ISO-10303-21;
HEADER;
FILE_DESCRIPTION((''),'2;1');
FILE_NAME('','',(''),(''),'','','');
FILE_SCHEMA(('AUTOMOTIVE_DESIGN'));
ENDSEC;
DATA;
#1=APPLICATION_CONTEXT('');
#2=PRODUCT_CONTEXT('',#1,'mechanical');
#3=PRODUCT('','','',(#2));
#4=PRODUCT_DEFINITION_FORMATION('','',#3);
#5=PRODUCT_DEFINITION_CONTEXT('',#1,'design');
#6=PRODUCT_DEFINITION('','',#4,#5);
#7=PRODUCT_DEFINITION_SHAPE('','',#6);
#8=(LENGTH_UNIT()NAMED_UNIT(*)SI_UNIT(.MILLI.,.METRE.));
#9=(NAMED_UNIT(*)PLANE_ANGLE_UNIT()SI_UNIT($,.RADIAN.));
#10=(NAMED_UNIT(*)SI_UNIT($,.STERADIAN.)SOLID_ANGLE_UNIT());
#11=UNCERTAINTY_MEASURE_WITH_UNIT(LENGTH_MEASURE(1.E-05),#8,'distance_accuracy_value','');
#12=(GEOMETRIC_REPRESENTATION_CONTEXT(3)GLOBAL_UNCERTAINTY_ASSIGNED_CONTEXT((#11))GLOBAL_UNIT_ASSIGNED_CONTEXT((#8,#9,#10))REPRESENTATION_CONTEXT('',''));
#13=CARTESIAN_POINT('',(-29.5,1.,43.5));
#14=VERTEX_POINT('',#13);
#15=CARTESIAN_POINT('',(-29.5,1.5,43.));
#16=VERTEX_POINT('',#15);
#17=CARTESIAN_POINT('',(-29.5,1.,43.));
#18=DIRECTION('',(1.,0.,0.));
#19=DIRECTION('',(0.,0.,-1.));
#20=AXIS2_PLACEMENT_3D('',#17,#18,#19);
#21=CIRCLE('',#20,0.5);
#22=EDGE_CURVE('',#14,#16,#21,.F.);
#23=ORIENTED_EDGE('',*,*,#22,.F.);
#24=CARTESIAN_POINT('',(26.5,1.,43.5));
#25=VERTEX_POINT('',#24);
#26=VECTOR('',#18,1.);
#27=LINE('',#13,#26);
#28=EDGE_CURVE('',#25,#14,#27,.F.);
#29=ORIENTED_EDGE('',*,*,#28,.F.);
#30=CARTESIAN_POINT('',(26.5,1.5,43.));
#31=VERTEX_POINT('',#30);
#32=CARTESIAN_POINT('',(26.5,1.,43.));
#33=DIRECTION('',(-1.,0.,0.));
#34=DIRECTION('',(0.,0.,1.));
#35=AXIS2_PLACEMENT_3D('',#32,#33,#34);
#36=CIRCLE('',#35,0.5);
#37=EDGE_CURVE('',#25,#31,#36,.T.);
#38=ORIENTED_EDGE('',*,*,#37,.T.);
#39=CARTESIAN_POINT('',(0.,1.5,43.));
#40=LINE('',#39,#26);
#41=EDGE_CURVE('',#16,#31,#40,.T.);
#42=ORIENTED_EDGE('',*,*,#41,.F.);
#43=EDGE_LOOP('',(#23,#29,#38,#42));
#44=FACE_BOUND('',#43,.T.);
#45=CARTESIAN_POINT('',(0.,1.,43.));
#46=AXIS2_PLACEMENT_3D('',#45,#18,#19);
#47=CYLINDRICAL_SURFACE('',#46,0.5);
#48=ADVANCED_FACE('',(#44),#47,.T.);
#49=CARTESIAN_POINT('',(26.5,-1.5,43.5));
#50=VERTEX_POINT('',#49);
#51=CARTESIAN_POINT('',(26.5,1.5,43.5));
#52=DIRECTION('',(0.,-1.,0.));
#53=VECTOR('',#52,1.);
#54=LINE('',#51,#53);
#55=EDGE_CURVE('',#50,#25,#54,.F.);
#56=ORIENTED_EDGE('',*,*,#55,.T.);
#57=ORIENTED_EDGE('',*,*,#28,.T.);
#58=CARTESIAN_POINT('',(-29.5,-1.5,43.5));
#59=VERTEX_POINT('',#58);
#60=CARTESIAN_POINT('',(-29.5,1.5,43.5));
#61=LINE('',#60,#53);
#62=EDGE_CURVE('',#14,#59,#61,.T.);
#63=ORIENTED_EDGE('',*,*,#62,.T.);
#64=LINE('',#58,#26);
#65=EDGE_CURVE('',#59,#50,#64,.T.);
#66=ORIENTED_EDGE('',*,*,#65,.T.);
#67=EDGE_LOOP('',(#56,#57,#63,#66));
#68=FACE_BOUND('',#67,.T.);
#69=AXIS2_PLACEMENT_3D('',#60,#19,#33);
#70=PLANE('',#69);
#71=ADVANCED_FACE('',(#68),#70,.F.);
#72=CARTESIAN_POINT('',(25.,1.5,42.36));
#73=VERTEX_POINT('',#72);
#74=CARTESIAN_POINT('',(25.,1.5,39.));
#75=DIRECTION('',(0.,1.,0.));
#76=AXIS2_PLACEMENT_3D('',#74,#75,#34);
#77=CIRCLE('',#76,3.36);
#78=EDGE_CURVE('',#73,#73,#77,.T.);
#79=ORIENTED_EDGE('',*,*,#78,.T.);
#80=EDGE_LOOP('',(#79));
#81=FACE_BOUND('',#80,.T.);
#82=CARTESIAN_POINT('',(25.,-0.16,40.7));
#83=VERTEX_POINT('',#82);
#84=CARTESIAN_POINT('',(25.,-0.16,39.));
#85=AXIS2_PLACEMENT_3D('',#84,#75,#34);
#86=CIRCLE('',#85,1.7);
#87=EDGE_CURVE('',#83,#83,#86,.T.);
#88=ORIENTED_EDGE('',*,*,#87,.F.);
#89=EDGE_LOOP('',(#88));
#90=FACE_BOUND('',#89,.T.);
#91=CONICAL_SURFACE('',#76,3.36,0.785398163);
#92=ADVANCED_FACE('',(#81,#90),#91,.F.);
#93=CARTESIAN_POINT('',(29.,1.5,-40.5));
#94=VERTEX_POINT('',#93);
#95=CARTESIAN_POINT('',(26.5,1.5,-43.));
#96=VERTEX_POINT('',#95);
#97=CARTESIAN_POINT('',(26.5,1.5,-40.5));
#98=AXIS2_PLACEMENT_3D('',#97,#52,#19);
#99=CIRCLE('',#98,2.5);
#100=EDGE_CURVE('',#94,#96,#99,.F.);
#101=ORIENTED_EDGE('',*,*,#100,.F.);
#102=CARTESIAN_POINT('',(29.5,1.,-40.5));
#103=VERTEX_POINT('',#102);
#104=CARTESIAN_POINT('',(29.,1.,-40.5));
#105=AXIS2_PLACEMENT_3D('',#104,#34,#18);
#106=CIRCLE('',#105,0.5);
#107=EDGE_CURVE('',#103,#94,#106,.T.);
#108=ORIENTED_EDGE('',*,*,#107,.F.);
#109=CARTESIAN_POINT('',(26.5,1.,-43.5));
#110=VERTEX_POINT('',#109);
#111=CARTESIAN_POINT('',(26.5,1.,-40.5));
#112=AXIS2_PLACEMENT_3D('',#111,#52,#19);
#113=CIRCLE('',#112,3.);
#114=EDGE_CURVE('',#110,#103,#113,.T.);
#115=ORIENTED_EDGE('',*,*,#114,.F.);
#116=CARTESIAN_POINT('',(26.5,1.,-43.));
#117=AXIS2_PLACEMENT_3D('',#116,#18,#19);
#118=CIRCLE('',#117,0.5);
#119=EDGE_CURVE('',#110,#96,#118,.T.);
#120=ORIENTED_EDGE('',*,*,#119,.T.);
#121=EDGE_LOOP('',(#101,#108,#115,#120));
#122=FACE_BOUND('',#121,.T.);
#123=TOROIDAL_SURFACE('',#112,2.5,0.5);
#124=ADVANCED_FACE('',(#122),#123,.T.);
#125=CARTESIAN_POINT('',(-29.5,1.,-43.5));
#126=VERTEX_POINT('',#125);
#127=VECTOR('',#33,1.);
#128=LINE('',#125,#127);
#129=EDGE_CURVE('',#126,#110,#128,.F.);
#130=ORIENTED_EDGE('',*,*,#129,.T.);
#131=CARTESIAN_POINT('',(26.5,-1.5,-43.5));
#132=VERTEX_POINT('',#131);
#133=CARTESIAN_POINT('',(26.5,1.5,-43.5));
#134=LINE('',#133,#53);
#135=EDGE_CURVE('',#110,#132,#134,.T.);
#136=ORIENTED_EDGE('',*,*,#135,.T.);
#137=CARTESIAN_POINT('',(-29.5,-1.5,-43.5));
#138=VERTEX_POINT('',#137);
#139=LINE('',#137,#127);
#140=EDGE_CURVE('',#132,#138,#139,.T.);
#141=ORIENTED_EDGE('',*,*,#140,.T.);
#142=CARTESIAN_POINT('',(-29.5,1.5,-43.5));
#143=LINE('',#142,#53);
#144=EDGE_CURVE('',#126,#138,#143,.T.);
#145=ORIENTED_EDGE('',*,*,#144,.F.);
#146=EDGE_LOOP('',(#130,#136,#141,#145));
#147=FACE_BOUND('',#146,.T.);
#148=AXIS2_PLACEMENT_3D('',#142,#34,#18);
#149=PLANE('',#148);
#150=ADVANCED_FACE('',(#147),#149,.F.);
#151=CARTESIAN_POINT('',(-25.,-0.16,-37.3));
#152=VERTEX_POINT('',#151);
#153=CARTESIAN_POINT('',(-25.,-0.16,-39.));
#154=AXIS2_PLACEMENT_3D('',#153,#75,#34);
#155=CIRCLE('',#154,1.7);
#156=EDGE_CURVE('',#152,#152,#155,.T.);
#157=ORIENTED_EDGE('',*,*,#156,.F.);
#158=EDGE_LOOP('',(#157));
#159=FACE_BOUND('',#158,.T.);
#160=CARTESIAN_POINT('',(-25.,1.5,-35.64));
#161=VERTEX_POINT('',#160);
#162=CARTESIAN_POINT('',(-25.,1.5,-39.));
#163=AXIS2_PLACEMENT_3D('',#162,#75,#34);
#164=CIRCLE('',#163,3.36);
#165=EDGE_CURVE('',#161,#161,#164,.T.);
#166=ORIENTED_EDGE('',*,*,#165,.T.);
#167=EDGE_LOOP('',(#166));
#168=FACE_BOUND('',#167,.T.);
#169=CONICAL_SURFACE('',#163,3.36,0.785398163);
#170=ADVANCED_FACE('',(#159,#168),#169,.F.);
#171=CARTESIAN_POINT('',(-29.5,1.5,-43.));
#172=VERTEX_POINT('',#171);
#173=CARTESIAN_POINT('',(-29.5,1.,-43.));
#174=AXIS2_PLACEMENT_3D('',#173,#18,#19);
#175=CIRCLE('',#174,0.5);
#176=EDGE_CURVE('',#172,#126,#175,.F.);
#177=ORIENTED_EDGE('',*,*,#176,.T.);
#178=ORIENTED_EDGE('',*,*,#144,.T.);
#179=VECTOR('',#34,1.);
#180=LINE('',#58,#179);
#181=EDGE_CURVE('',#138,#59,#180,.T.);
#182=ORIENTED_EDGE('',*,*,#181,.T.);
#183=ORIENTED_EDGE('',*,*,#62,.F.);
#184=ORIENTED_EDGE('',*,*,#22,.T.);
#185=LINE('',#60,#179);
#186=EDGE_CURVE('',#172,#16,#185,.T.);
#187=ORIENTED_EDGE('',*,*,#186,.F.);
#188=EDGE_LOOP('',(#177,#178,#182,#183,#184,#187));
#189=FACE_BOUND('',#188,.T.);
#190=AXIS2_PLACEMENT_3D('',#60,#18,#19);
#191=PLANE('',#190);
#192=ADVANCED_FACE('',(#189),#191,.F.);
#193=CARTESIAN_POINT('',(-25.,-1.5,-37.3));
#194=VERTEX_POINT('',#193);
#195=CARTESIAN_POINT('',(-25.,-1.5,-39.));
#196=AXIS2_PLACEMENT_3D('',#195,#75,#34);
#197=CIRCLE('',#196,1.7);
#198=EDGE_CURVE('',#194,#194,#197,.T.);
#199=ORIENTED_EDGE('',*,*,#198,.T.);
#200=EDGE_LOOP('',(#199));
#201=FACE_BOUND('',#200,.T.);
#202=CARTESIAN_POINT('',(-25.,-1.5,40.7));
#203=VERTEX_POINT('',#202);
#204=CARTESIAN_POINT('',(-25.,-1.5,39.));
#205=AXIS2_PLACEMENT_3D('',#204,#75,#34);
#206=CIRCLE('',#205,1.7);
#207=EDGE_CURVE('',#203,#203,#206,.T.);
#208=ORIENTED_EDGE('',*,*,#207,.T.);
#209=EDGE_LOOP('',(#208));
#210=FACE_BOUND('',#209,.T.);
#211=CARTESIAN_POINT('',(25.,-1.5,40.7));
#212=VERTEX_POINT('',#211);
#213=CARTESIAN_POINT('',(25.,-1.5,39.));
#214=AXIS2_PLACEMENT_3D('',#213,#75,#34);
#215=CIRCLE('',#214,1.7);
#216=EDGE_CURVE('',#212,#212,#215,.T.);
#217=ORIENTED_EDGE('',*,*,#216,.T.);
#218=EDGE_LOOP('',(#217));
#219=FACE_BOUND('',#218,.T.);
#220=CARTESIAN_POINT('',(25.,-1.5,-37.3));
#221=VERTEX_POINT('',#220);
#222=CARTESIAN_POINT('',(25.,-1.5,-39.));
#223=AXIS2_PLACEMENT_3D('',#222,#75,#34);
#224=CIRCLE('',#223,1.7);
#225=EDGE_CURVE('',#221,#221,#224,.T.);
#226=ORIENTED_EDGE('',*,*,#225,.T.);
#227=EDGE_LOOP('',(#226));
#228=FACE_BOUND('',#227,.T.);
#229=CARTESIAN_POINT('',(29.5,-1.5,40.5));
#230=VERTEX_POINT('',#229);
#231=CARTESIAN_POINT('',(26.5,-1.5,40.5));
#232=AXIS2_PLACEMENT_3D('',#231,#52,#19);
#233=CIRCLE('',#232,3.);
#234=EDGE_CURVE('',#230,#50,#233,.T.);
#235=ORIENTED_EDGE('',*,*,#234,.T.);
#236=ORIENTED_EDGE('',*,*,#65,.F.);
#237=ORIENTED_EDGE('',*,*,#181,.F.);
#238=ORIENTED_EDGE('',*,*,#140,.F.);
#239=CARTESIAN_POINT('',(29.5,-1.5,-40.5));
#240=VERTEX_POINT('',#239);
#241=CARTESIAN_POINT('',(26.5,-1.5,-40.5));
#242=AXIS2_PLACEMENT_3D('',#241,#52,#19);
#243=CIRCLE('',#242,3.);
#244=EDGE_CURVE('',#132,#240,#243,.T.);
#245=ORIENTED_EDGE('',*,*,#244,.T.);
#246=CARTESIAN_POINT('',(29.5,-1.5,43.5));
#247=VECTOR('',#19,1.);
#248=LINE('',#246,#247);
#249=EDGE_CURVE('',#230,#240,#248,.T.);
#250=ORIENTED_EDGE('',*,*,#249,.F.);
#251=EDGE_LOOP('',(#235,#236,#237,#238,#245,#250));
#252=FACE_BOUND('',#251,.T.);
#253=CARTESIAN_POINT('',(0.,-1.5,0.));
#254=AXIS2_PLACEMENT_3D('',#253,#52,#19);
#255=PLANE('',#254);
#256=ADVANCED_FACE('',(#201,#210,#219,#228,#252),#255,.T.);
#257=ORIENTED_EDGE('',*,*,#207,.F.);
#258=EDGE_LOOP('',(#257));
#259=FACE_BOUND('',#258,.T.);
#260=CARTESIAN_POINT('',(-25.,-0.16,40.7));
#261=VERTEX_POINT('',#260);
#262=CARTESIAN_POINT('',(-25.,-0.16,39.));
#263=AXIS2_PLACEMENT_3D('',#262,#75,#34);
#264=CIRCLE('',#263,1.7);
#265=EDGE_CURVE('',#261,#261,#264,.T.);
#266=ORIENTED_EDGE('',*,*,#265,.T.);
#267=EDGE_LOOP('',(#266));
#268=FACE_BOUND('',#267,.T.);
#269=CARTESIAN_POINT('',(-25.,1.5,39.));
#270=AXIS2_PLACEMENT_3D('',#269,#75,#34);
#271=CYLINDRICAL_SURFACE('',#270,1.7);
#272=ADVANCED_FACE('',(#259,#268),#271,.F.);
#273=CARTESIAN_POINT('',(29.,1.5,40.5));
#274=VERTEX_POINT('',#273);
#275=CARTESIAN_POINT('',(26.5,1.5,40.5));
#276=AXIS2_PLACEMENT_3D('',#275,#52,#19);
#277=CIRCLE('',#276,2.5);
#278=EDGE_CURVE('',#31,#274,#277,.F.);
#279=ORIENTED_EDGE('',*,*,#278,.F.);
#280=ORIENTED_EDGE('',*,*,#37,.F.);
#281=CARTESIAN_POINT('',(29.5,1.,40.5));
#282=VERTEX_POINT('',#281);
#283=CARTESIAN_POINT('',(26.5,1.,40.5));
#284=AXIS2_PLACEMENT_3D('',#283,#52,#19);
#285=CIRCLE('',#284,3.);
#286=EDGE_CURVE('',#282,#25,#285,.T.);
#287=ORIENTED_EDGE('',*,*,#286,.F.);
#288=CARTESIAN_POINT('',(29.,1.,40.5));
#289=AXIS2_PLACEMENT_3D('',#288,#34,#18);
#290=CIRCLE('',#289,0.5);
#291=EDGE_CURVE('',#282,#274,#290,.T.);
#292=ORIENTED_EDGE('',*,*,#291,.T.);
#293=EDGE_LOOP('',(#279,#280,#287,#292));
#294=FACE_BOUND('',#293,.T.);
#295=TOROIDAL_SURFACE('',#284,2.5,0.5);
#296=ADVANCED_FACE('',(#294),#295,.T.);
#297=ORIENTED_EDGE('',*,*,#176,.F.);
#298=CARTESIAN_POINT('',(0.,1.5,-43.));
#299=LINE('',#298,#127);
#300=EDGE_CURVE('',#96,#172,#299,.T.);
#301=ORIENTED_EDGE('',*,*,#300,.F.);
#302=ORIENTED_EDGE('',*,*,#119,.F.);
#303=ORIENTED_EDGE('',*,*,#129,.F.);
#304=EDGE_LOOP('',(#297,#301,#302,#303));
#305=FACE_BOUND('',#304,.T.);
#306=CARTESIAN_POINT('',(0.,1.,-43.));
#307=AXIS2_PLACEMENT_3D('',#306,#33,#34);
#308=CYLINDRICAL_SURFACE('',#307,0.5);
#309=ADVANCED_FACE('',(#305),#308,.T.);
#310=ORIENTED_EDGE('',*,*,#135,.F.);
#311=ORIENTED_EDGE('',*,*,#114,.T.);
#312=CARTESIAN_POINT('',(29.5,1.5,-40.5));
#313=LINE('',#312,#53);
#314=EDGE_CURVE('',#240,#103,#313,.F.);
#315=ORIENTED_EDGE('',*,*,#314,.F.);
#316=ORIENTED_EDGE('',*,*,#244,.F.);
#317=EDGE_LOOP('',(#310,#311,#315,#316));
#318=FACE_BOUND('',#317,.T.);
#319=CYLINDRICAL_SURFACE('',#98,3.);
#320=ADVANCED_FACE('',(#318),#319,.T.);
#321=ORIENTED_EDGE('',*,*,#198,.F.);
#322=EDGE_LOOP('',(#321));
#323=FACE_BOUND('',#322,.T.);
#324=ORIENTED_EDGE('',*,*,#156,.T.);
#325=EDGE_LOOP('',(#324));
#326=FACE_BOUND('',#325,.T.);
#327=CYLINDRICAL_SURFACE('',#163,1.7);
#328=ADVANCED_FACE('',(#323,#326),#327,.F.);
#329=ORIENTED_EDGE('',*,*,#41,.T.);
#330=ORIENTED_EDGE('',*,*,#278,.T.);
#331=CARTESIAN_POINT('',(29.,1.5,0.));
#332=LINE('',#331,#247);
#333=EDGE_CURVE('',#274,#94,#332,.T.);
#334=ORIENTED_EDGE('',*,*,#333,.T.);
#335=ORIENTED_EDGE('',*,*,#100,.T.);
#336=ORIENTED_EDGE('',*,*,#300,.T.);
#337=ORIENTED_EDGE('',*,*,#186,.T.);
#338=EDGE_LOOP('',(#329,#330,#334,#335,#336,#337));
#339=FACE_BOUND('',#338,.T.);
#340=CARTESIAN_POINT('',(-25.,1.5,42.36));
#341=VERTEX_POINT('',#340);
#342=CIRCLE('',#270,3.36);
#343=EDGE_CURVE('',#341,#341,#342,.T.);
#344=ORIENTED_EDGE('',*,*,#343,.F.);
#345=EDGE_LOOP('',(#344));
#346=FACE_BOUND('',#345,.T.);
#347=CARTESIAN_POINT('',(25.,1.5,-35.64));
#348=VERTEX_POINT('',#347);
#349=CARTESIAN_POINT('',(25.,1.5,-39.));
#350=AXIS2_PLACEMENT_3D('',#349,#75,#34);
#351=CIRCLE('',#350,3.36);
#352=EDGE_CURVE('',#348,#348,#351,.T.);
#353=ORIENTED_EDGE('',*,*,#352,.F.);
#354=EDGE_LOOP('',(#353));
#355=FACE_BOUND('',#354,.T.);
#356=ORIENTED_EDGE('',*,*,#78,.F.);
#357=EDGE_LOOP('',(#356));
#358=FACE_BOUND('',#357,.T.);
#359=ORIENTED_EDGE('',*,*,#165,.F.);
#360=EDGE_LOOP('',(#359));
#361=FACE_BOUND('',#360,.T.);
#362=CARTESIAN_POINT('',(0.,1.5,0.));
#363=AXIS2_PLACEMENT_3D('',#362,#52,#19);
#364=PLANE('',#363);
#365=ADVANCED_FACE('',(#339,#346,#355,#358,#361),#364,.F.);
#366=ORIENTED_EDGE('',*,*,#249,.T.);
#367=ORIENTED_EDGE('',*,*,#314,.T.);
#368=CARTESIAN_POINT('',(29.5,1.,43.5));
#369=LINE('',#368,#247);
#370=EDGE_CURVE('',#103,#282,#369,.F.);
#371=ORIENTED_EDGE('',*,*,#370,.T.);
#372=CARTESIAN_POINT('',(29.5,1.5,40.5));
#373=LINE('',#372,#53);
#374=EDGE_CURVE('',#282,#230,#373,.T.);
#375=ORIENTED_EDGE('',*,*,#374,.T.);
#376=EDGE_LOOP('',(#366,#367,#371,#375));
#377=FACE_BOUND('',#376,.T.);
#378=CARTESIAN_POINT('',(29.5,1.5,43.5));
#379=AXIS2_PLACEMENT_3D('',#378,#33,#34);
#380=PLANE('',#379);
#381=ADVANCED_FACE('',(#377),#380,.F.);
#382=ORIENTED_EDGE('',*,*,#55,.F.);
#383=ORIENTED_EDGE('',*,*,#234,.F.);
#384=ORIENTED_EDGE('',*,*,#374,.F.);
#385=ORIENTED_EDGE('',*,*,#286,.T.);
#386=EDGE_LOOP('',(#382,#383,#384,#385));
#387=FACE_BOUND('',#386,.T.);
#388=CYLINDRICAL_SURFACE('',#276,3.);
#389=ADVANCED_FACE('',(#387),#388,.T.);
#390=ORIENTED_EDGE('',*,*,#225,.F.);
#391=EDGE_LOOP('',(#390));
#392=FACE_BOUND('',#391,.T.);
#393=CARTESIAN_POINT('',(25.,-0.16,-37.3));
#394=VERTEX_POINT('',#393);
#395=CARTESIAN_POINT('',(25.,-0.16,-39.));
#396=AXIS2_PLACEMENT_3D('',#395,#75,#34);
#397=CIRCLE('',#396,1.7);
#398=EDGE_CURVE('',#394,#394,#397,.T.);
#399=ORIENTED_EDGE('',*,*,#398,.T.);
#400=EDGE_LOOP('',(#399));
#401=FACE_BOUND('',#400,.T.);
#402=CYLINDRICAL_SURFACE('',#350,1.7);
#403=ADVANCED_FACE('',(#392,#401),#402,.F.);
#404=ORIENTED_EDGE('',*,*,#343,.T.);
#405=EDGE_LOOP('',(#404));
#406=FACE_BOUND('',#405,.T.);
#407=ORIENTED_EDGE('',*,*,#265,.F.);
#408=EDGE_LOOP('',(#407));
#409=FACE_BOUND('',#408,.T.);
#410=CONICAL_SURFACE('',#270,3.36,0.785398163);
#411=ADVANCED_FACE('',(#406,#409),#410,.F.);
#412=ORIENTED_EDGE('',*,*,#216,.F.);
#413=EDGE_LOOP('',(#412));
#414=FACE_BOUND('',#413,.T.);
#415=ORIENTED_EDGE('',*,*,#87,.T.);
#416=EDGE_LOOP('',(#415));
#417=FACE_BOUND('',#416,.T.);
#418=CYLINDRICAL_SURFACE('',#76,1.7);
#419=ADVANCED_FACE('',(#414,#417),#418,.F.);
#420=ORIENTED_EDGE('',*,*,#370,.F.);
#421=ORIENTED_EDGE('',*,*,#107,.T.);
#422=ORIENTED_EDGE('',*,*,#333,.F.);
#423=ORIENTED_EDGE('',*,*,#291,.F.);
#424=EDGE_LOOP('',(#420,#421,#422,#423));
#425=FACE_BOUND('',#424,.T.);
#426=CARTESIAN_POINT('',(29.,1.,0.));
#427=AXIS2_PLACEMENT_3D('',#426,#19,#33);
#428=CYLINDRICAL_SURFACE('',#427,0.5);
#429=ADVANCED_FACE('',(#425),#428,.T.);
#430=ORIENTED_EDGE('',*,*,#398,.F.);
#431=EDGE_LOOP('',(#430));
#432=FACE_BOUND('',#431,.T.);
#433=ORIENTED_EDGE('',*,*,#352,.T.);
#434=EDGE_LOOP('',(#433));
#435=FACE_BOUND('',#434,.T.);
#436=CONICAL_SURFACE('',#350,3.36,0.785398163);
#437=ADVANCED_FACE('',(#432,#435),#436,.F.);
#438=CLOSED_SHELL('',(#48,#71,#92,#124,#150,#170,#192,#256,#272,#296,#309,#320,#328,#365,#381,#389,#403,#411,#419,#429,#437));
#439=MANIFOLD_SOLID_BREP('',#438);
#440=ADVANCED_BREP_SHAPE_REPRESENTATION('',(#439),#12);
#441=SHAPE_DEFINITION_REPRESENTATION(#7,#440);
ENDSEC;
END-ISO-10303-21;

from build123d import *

# Parameters (mm, degrees)
SKETCH1_W                    = 59
SKETCH1_H                    = 87
BOSS_EXTRUDE1_DEPTH          = 1.5
CSK_FOR_M3_SFHCS1_AT_2_COUNT = 2
CSK_FOR_M3_SFHCS1_AT_2_PITCH = 78
CSK_FOR_M3_SFHCS1_AT_3_COUNT = 2
CSK_FOR_M3_SFHCS1_AT_3_PITCH = 92.649878575
CSK_FOR_M3_SFHCS1_AT_4_COUNT = 2
CSK_FOR_M3_SFHCS1_AT_4_PITCH = 50
FILLET3_R                    = 3
FILLET4_R                    = 0.5


with BuildPart() as part:
    # Sketch1 → Boss-Extrude1 (new, symmetric)
    with BuildSketch(Plane(origin=(0, 0, 0), x_dir=(1, 0, 0), z_dir=(0, 1, 0))):
        Rectangle(SKETCH1_W, SKETCH1_H)
    extrude(amount=BOSS_EXTRUDE1_DEPTH, both=True)

    # Sketch4 → CSK for M3 SFHCS1 (revolve, cut)
    with BuildSketch(Plane(origin=(-25, 1.5, -39), x_dir=(0, 0, 1), z_dir=(1, 0, 0))):
        Polygon((0, 0), (0, 3), (1.7, 3), (1.7, 1.66), (3.36, 0), align=None)
    csk_for_m3_sfhcs1 = revolve(axis=Axis((-25, 7.85, -39), (0, -1, 0)), mode=Mode.SUBTRACT)

    # CSK for M3 SFHCS1 at 2: CSK for M3 SFHCS1 ×2
    with Locations(*[(0, 0, i * CSK_FOR_M3_SFHCS1_AT_2_PITCH) for i in range(1, CSK_FOR_M3_SFHCS1_AT_2_COUNT)]):
        add(csk_for_m3_sfhcs1, mode=Mode.SUBTRACT)

    # CSK for M3 SFHCS1 at 3: CSK for M3 SFHCS1 ×2
    with Locations(*[Vector(0.5396661147204319, 0, 0.8418791389638739) * (i * CSK_FOR_M3_SFHCS1_AT_3_PITCH) for i in range(1, CSK_FOR_M3_SFHCS1_AT_3_COUNT)]):
        add(csk_for_m3_sfhcs1, mode=Mode.SUBTRACT)

    # CSK for M3 SFHCS1 at 4: CSK for M3 SFHCS1 ×2
    with Locations(*[(i * CSK_FOR_M3_SFHCS1_AT_4_PITCH, 0, 0) for i in range(1, CSK_FOR_M3_SFHCS1_AT_4_COUNT)]):
        add(csk_for_m3_sfhcs1, mode=Mode.SUBTRACT)

    # Fillet3
    fillet3_edges = [part.edges().sort_by_distance(p)[0] for p in [
        (29.5, 0, 43.5),
        (29.5, 0, -43.5),
    ]]
    fillet(fillet3_edges, radius=FILLET3_R)

    # Fillet4
    fillet4_edges = [part.edges().sort_by_distance(p)[0] for p in [
        (-1.5, 1.5, 43.5),
        (-1.5, 1.5, -43.5),
        (29.5, 1.5, 0),
        (28.621320344, 1.5, 42.621320344),
        (28.621320344, 1.5, -42.621320344),
    ]]
    fillet(fillet4_edges, radius=FILLET4_R)


solid = part.part
